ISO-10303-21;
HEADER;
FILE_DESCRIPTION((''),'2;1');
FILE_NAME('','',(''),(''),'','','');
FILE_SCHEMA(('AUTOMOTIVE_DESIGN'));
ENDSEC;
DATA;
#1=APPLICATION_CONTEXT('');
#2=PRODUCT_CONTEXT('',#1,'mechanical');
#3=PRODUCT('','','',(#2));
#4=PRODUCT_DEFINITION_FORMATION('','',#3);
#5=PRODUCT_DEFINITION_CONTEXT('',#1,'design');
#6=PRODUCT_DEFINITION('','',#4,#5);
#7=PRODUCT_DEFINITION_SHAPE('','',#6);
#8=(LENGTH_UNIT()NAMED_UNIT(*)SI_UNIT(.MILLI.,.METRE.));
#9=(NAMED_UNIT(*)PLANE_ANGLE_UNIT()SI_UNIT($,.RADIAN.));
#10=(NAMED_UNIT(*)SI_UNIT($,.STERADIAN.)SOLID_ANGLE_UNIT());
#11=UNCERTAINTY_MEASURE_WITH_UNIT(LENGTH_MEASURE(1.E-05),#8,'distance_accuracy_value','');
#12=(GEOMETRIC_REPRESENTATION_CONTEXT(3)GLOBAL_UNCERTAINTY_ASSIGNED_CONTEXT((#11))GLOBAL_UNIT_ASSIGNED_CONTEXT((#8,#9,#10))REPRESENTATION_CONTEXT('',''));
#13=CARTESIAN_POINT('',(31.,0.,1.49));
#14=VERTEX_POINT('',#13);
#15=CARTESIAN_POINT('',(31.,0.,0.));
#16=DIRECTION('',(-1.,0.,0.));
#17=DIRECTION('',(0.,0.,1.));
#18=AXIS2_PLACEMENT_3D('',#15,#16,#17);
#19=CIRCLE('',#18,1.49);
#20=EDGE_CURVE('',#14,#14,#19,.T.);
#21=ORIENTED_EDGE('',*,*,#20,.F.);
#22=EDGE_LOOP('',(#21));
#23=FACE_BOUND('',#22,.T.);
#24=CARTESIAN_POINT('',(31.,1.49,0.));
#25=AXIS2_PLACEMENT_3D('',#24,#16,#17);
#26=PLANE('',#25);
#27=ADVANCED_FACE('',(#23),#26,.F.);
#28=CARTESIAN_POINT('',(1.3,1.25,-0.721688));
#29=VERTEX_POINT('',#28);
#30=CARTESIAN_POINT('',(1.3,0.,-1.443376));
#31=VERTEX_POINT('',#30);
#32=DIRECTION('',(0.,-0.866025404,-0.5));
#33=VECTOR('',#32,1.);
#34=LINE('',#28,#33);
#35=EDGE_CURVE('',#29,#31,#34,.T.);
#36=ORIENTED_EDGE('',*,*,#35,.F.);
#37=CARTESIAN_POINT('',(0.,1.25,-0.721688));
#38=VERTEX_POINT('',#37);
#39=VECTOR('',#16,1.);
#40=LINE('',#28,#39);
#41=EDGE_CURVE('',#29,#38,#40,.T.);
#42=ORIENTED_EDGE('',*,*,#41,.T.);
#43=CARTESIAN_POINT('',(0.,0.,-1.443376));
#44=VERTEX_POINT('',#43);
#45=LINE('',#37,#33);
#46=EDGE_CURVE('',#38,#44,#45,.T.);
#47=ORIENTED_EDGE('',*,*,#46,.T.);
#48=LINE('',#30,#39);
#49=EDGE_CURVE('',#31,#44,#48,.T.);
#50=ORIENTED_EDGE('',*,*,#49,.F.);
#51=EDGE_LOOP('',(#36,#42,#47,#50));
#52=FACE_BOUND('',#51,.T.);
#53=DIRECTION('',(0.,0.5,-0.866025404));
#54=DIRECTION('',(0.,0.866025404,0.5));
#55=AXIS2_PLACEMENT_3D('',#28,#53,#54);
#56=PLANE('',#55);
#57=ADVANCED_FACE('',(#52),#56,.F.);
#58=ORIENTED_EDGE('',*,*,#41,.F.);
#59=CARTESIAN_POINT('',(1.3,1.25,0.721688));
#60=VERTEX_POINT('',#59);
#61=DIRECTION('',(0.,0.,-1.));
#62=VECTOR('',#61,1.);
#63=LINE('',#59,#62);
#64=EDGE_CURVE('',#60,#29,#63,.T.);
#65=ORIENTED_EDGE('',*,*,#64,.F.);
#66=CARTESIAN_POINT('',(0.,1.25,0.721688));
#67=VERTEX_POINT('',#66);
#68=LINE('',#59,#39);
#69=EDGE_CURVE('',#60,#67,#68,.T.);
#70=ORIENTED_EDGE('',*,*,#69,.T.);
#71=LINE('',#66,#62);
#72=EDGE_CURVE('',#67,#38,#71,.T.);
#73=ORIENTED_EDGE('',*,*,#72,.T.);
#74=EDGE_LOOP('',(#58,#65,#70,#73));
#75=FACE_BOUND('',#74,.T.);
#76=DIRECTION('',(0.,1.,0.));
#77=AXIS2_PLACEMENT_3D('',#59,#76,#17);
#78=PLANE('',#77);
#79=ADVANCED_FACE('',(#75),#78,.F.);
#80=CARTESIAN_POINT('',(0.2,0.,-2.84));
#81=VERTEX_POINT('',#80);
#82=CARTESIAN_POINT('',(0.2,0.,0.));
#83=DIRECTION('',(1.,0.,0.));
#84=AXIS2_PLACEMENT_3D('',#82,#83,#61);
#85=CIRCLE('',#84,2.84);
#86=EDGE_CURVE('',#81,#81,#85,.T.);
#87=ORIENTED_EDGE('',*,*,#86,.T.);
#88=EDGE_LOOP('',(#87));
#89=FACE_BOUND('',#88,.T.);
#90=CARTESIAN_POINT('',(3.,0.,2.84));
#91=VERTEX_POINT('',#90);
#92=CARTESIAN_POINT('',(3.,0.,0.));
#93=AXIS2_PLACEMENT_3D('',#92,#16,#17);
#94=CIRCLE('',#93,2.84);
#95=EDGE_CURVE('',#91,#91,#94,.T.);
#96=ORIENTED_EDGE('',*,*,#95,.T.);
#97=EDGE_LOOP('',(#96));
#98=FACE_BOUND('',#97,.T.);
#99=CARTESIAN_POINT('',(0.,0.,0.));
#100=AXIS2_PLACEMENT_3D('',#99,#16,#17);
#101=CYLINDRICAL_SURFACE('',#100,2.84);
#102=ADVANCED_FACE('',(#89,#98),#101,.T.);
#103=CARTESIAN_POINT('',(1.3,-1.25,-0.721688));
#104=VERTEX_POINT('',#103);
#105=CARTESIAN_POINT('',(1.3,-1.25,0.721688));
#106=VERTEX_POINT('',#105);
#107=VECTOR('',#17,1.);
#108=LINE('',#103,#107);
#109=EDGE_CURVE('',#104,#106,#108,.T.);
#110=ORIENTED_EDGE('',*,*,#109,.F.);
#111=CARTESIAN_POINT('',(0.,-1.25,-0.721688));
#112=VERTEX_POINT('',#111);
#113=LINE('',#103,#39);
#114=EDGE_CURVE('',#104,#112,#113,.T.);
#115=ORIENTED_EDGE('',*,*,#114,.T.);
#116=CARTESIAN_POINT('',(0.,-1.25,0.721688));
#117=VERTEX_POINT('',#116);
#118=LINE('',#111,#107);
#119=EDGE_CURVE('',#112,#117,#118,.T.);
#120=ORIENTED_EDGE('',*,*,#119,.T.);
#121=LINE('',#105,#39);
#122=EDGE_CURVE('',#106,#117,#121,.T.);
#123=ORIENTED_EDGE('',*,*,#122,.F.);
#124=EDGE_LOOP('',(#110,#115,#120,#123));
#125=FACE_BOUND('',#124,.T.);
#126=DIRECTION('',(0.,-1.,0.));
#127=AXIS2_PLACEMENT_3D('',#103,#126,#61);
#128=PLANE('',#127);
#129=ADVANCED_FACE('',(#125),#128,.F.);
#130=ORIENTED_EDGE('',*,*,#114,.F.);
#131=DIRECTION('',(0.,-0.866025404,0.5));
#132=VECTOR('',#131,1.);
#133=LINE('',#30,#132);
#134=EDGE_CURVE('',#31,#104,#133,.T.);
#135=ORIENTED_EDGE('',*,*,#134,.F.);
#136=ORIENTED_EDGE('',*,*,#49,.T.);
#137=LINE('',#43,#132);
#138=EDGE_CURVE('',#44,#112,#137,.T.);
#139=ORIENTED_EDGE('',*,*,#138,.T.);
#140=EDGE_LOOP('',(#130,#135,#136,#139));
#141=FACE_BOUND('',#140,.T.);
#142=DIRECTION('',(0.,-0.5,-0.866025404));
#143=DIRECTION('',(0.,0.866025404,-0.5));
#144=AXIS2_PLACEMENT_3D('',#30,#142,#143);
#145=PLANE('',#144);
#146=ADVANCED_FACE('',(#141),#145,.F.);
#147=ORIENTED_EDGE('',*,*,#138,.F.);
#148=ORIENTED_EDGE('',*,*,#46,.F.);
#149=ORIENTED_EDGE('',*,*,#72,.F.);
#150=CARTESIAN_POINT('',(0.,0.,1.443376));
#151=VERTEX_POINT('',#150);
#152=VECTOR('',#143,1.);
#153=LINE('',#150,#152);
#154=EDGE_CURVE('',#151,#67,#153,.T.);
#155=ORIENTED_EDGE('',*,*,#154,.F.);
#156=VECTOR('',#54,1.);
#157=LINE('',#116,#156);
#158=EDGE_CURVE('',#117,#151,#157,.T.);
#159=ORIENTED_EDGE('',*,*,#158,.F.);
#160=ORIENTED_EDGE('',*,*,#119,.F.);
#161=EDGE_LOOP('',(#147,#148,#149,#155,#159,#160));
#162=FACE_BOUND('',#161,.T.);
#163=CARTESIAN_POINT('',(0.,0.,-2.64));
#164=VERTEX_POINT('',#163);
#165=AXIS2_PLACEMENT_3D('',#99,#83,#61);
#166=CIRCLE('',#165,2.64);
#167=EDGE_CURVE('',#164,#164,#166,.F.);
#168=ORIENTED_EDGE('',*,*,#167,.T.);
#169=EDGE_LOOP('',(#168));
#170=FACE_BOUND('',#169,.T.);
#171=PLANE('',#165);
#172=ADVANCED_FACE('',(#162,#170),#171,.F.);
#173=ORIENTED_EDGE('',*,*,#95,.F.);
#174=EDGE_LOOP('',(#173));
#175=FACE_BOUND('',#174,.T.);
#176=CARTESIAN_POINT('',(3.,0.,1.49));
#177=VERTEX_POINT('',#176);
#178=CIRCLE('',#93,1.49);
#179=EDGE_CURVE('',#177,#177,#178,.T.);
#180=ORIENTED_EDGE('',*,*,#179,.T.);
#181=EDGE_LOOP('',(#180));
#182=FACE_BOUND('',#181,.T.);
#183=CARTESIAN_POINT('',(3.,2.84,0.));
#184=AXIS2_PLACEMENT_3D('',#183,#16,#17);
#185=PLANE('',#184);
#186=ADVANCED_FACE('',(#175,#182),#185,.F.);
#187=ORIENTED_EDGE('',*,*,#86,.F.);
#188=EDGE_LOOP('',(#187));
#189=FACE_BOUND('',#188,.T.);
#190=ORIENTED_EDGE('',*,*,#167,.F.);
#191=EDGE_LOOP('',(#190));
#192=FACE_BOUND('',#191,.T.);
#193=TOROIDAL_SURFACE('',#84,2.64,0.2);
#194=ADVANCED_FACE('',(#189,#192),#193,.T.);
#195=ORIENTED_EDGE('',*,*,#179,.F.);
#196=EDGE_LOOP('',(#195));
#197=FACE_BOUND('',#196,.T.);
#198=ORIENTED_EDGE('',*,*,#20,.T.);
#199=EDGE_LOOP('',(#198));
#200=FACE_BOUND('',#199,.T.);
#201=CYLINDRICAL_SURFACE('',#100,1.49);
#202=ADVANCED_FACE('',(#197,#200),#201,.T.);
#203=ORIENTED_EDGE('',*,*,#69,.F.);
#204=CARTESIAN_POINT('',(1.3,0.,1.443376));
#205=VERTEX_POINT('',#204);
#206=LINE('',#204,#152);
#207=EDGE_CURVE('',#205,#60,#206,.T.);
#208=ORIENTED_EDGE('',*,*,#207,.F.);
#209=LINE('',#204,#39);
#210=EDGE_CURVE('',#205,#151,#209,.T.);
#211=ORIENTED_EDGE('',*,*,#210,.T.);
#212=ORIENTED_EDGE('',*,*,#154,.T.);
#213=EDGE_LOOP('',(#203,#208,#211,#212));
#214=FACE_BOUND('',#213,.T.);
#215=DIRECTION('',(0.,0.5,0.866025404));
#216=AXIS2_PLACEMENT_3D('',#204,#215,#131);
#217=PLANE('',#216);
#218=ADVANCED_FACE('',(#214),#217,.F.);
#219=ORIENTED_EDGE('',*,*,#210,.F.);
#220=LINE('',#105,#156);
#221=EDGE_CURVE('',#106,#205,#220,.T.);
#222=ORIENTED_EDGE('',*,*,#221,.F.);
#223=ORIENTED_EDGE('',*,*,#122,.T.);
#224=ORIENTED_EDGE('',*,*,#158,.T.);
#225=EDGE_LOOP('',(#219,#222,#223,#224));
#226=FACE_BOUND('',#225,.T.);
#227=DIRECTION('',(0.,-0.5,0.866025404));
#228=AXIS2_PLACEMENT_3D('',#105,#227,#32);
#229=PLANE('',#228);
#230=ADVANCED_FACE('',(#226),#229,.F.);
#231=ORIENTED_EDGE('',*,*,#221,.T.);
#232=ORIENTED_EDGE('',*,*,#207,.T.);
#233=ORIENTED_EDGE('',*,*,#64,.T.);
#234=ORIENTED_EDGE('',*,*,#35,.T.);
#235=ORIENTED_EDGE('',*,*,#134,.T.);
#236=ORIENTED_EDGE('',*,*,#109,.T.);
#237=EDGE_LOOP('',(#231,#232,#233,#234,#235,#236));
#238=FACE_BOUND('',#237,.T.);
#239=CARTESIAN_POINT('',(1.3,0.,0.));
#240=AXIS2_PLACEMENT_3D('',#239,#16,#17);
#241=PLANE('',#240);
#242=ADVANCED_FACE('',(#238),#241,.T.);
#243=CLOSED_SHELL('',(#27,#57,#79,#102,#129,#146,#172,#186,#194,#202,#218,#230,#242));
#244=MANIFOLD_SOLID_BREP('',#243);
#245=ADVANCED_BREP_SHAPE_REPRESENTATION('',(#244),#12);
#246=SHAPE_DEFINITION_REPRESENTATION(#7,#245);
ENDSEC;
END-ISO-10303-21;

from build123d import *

# Parameters (mm, degrees)
CUT_EXTRUDE_1_DEPTH = 1.3
FILLET_1_R          = 0.2


with BuildPart() as part:
    # 草图1 → 旋转1 (revolve)
    with BuildSketch(Plane.XY):
        Polygon((0, 0), (0, 2.84), (3, 2.84), (3, 1.49), (31, 1.49), (31, 0), align=None)
    revolve(axis=Axis((0, 0, 0), (1, 0, 0)))

    # 草图2 → 切除-拉伸1 (cut)
    with BuildSketch(Plane.ZY):
        Polygon((-1.443375673, 0), (-0.721687836, -1.25), (0.721687836, -1.25), (1.443375673, 0), (0.721687836, 1.25), (-0.721687836, 1.25), align=None)
    extrude(amount=-CUT_EXTRUDE_1_DEPTH, mode=Mode.SUBTRACT)

    # 圆角1
    fillet_1_edges = [part.edges().sort_by_distance(p)[0] for p in [
        (0, -2.84, 0),
    ]]
    fillet(fillet_1_edges, radius=FILLET_1_R)


solid = part.part
